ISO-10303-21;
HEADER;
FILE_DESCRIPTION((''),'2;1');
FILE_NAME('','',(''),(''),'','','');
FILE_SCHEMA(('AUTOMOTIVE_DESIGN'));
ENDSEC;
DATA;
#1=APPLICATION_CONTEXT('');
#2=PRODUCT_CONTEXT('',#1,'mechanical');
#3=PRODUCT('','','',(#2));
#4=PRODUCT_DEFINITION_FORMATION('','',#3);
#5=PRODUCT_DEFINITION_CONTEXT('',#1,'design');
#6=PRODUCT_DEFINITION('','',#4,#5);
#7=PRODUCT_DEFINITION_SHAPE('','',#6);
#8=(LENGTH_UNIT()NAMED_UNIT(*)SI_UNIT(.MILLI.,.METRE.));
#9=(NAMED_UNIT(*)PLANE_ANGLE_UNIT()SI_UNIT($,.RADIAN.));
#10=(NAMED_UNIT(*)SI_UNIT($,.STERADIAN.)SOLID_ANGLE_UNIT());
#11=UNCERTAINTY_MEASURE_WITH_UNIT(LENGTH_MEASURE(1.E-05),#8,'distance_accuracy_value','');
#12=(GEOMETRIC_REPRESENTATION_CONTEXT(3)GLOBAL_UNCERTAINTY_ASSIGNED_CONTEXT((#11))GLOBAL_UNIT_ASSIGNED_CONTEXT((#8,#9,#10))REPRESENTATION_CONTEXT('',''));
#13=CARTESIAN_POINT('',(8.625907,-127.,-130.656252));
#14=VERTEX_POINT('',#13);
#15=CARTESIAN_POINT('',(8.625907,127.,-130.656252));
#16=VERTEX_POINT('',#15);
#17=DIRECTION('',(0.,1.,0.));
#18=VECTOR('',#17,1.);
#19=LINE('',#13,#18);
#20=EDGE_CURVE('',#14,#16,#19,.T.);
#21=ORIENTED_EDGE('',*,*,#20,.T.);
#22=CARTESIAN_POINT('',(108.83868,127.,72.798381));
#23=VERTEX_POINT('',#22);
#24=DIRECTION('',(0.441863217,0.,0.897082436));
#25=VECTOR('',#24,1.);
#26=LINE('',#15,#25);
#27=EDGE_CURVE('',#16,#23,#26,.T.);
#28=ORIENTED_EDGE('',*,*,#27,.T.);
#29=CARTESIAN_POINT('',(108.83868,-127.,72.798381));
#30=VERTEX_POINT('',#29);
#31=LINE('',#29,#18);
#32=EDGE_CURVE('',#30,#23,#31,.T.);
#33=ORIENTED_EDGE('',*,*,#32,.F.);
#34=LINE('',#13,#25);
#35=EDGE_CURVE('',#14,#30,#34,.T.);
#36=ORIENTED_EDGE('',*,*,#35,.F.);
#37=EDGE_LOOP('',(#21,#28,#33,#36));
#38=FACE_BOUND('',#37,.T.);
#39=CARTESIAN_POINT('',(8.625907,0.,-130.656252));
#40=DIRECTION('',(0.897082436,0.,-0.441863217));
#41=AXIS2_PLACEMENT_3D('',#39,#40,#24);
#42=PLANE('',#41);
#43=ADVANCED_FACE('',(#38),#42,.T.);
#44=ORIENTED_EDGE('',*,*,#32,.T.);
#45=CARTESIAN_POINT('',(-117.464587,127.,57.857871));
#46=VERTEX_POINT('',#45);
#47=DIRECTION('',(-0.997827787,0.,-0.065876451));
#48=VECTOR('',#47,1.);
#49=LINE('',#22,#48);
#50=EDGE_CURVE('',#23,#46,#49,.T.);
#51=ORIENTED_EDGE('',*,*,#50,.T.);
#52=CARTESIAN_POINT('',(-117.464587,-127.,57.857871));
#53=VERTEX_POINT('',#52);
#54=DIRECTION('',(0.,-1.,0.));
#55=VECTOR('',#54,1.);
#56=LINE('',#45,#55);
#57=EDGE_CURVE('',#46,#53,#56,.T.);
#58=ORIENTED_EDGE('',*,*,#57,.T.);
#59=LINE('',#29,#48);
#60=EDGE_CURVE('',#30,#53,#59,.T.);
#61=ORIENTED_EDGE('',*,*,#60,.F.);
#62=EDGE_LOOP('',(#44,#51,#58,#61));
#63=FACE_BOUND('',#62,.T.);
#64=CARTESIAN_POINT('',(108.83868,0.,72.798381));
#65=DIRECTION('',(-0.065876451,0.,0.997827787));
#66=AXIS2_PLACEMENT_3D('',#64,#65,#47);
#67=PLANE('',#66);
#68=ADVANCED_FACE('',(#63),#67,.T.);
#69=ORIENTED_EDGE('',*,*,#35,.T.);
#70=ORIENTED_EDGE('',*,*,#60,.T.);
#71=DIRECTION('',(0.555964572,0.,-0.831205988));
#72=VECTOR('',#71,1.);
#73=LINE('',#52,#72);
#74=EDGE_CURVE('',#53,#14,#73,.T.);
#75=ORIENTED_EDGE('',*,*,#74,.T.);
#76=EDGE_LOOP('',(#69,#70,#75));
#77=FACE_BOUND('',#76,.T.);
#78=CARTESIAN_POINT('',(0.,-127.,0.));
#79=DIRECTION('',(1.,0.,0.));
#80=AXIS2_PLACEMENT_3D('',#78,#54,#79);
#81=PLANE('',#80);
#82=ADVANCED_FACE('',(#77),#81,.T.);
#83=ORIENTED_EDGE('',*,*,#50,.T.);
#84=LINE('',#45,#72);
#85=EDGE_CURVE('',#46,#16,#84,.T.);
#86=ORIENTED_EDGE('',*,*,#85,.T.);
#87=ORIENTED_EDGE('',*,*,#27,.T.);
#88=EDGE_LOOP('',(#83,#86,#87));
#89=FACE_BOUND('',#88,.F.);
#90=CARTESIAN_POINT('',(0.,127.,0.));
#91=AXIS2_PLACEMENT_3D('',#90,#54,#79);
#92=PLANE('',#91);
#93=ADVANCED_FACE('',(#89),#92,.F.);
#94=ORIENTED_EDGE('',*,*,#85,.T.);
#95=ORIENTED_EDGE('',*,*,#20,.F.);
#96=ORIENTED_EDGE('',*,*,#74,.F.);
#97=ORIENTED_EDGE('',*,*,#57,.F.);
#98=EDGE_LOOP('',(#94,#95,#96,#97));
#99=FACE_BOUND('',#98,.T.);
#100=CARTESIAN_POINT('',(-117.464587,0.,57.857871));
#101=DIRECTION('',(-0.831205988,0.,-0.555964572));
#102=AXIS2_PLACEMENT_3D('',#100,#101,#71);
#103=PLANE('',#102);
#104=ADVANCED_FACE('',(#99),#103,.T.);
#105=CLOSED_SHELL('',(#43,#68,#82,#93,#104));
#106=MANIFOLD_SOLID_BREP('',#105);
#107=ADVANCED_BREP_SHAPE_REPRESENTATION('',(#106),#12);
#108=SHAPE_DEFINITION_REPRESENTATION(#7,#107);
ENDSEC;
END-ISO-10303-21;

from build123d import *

# Parameters (mm, degrees)
F1_DEPTH = 127


with BuildPart() as f1:
    # F0 (on Front) → F1 (new body, symmetric)
    with BuildSketch(Plane.XZ):
        Polygon((108.83868, 72.798381), (-117.464587, 57.857871), (8.625907, -130.656252), align=None)
        Polygon((3.379381, -60.90665), (-54.436397, 27.526695), (51.057016, 33.379955), align=None, mode=Mode.SUBTRACT)
        Polygon((51.057016, 33.379955), (-54.436397, 27.526695), (3.379381, -60.90665), align=None)
    extrude(amount=F1_DEPTH, both=True)


solid = f1.part
